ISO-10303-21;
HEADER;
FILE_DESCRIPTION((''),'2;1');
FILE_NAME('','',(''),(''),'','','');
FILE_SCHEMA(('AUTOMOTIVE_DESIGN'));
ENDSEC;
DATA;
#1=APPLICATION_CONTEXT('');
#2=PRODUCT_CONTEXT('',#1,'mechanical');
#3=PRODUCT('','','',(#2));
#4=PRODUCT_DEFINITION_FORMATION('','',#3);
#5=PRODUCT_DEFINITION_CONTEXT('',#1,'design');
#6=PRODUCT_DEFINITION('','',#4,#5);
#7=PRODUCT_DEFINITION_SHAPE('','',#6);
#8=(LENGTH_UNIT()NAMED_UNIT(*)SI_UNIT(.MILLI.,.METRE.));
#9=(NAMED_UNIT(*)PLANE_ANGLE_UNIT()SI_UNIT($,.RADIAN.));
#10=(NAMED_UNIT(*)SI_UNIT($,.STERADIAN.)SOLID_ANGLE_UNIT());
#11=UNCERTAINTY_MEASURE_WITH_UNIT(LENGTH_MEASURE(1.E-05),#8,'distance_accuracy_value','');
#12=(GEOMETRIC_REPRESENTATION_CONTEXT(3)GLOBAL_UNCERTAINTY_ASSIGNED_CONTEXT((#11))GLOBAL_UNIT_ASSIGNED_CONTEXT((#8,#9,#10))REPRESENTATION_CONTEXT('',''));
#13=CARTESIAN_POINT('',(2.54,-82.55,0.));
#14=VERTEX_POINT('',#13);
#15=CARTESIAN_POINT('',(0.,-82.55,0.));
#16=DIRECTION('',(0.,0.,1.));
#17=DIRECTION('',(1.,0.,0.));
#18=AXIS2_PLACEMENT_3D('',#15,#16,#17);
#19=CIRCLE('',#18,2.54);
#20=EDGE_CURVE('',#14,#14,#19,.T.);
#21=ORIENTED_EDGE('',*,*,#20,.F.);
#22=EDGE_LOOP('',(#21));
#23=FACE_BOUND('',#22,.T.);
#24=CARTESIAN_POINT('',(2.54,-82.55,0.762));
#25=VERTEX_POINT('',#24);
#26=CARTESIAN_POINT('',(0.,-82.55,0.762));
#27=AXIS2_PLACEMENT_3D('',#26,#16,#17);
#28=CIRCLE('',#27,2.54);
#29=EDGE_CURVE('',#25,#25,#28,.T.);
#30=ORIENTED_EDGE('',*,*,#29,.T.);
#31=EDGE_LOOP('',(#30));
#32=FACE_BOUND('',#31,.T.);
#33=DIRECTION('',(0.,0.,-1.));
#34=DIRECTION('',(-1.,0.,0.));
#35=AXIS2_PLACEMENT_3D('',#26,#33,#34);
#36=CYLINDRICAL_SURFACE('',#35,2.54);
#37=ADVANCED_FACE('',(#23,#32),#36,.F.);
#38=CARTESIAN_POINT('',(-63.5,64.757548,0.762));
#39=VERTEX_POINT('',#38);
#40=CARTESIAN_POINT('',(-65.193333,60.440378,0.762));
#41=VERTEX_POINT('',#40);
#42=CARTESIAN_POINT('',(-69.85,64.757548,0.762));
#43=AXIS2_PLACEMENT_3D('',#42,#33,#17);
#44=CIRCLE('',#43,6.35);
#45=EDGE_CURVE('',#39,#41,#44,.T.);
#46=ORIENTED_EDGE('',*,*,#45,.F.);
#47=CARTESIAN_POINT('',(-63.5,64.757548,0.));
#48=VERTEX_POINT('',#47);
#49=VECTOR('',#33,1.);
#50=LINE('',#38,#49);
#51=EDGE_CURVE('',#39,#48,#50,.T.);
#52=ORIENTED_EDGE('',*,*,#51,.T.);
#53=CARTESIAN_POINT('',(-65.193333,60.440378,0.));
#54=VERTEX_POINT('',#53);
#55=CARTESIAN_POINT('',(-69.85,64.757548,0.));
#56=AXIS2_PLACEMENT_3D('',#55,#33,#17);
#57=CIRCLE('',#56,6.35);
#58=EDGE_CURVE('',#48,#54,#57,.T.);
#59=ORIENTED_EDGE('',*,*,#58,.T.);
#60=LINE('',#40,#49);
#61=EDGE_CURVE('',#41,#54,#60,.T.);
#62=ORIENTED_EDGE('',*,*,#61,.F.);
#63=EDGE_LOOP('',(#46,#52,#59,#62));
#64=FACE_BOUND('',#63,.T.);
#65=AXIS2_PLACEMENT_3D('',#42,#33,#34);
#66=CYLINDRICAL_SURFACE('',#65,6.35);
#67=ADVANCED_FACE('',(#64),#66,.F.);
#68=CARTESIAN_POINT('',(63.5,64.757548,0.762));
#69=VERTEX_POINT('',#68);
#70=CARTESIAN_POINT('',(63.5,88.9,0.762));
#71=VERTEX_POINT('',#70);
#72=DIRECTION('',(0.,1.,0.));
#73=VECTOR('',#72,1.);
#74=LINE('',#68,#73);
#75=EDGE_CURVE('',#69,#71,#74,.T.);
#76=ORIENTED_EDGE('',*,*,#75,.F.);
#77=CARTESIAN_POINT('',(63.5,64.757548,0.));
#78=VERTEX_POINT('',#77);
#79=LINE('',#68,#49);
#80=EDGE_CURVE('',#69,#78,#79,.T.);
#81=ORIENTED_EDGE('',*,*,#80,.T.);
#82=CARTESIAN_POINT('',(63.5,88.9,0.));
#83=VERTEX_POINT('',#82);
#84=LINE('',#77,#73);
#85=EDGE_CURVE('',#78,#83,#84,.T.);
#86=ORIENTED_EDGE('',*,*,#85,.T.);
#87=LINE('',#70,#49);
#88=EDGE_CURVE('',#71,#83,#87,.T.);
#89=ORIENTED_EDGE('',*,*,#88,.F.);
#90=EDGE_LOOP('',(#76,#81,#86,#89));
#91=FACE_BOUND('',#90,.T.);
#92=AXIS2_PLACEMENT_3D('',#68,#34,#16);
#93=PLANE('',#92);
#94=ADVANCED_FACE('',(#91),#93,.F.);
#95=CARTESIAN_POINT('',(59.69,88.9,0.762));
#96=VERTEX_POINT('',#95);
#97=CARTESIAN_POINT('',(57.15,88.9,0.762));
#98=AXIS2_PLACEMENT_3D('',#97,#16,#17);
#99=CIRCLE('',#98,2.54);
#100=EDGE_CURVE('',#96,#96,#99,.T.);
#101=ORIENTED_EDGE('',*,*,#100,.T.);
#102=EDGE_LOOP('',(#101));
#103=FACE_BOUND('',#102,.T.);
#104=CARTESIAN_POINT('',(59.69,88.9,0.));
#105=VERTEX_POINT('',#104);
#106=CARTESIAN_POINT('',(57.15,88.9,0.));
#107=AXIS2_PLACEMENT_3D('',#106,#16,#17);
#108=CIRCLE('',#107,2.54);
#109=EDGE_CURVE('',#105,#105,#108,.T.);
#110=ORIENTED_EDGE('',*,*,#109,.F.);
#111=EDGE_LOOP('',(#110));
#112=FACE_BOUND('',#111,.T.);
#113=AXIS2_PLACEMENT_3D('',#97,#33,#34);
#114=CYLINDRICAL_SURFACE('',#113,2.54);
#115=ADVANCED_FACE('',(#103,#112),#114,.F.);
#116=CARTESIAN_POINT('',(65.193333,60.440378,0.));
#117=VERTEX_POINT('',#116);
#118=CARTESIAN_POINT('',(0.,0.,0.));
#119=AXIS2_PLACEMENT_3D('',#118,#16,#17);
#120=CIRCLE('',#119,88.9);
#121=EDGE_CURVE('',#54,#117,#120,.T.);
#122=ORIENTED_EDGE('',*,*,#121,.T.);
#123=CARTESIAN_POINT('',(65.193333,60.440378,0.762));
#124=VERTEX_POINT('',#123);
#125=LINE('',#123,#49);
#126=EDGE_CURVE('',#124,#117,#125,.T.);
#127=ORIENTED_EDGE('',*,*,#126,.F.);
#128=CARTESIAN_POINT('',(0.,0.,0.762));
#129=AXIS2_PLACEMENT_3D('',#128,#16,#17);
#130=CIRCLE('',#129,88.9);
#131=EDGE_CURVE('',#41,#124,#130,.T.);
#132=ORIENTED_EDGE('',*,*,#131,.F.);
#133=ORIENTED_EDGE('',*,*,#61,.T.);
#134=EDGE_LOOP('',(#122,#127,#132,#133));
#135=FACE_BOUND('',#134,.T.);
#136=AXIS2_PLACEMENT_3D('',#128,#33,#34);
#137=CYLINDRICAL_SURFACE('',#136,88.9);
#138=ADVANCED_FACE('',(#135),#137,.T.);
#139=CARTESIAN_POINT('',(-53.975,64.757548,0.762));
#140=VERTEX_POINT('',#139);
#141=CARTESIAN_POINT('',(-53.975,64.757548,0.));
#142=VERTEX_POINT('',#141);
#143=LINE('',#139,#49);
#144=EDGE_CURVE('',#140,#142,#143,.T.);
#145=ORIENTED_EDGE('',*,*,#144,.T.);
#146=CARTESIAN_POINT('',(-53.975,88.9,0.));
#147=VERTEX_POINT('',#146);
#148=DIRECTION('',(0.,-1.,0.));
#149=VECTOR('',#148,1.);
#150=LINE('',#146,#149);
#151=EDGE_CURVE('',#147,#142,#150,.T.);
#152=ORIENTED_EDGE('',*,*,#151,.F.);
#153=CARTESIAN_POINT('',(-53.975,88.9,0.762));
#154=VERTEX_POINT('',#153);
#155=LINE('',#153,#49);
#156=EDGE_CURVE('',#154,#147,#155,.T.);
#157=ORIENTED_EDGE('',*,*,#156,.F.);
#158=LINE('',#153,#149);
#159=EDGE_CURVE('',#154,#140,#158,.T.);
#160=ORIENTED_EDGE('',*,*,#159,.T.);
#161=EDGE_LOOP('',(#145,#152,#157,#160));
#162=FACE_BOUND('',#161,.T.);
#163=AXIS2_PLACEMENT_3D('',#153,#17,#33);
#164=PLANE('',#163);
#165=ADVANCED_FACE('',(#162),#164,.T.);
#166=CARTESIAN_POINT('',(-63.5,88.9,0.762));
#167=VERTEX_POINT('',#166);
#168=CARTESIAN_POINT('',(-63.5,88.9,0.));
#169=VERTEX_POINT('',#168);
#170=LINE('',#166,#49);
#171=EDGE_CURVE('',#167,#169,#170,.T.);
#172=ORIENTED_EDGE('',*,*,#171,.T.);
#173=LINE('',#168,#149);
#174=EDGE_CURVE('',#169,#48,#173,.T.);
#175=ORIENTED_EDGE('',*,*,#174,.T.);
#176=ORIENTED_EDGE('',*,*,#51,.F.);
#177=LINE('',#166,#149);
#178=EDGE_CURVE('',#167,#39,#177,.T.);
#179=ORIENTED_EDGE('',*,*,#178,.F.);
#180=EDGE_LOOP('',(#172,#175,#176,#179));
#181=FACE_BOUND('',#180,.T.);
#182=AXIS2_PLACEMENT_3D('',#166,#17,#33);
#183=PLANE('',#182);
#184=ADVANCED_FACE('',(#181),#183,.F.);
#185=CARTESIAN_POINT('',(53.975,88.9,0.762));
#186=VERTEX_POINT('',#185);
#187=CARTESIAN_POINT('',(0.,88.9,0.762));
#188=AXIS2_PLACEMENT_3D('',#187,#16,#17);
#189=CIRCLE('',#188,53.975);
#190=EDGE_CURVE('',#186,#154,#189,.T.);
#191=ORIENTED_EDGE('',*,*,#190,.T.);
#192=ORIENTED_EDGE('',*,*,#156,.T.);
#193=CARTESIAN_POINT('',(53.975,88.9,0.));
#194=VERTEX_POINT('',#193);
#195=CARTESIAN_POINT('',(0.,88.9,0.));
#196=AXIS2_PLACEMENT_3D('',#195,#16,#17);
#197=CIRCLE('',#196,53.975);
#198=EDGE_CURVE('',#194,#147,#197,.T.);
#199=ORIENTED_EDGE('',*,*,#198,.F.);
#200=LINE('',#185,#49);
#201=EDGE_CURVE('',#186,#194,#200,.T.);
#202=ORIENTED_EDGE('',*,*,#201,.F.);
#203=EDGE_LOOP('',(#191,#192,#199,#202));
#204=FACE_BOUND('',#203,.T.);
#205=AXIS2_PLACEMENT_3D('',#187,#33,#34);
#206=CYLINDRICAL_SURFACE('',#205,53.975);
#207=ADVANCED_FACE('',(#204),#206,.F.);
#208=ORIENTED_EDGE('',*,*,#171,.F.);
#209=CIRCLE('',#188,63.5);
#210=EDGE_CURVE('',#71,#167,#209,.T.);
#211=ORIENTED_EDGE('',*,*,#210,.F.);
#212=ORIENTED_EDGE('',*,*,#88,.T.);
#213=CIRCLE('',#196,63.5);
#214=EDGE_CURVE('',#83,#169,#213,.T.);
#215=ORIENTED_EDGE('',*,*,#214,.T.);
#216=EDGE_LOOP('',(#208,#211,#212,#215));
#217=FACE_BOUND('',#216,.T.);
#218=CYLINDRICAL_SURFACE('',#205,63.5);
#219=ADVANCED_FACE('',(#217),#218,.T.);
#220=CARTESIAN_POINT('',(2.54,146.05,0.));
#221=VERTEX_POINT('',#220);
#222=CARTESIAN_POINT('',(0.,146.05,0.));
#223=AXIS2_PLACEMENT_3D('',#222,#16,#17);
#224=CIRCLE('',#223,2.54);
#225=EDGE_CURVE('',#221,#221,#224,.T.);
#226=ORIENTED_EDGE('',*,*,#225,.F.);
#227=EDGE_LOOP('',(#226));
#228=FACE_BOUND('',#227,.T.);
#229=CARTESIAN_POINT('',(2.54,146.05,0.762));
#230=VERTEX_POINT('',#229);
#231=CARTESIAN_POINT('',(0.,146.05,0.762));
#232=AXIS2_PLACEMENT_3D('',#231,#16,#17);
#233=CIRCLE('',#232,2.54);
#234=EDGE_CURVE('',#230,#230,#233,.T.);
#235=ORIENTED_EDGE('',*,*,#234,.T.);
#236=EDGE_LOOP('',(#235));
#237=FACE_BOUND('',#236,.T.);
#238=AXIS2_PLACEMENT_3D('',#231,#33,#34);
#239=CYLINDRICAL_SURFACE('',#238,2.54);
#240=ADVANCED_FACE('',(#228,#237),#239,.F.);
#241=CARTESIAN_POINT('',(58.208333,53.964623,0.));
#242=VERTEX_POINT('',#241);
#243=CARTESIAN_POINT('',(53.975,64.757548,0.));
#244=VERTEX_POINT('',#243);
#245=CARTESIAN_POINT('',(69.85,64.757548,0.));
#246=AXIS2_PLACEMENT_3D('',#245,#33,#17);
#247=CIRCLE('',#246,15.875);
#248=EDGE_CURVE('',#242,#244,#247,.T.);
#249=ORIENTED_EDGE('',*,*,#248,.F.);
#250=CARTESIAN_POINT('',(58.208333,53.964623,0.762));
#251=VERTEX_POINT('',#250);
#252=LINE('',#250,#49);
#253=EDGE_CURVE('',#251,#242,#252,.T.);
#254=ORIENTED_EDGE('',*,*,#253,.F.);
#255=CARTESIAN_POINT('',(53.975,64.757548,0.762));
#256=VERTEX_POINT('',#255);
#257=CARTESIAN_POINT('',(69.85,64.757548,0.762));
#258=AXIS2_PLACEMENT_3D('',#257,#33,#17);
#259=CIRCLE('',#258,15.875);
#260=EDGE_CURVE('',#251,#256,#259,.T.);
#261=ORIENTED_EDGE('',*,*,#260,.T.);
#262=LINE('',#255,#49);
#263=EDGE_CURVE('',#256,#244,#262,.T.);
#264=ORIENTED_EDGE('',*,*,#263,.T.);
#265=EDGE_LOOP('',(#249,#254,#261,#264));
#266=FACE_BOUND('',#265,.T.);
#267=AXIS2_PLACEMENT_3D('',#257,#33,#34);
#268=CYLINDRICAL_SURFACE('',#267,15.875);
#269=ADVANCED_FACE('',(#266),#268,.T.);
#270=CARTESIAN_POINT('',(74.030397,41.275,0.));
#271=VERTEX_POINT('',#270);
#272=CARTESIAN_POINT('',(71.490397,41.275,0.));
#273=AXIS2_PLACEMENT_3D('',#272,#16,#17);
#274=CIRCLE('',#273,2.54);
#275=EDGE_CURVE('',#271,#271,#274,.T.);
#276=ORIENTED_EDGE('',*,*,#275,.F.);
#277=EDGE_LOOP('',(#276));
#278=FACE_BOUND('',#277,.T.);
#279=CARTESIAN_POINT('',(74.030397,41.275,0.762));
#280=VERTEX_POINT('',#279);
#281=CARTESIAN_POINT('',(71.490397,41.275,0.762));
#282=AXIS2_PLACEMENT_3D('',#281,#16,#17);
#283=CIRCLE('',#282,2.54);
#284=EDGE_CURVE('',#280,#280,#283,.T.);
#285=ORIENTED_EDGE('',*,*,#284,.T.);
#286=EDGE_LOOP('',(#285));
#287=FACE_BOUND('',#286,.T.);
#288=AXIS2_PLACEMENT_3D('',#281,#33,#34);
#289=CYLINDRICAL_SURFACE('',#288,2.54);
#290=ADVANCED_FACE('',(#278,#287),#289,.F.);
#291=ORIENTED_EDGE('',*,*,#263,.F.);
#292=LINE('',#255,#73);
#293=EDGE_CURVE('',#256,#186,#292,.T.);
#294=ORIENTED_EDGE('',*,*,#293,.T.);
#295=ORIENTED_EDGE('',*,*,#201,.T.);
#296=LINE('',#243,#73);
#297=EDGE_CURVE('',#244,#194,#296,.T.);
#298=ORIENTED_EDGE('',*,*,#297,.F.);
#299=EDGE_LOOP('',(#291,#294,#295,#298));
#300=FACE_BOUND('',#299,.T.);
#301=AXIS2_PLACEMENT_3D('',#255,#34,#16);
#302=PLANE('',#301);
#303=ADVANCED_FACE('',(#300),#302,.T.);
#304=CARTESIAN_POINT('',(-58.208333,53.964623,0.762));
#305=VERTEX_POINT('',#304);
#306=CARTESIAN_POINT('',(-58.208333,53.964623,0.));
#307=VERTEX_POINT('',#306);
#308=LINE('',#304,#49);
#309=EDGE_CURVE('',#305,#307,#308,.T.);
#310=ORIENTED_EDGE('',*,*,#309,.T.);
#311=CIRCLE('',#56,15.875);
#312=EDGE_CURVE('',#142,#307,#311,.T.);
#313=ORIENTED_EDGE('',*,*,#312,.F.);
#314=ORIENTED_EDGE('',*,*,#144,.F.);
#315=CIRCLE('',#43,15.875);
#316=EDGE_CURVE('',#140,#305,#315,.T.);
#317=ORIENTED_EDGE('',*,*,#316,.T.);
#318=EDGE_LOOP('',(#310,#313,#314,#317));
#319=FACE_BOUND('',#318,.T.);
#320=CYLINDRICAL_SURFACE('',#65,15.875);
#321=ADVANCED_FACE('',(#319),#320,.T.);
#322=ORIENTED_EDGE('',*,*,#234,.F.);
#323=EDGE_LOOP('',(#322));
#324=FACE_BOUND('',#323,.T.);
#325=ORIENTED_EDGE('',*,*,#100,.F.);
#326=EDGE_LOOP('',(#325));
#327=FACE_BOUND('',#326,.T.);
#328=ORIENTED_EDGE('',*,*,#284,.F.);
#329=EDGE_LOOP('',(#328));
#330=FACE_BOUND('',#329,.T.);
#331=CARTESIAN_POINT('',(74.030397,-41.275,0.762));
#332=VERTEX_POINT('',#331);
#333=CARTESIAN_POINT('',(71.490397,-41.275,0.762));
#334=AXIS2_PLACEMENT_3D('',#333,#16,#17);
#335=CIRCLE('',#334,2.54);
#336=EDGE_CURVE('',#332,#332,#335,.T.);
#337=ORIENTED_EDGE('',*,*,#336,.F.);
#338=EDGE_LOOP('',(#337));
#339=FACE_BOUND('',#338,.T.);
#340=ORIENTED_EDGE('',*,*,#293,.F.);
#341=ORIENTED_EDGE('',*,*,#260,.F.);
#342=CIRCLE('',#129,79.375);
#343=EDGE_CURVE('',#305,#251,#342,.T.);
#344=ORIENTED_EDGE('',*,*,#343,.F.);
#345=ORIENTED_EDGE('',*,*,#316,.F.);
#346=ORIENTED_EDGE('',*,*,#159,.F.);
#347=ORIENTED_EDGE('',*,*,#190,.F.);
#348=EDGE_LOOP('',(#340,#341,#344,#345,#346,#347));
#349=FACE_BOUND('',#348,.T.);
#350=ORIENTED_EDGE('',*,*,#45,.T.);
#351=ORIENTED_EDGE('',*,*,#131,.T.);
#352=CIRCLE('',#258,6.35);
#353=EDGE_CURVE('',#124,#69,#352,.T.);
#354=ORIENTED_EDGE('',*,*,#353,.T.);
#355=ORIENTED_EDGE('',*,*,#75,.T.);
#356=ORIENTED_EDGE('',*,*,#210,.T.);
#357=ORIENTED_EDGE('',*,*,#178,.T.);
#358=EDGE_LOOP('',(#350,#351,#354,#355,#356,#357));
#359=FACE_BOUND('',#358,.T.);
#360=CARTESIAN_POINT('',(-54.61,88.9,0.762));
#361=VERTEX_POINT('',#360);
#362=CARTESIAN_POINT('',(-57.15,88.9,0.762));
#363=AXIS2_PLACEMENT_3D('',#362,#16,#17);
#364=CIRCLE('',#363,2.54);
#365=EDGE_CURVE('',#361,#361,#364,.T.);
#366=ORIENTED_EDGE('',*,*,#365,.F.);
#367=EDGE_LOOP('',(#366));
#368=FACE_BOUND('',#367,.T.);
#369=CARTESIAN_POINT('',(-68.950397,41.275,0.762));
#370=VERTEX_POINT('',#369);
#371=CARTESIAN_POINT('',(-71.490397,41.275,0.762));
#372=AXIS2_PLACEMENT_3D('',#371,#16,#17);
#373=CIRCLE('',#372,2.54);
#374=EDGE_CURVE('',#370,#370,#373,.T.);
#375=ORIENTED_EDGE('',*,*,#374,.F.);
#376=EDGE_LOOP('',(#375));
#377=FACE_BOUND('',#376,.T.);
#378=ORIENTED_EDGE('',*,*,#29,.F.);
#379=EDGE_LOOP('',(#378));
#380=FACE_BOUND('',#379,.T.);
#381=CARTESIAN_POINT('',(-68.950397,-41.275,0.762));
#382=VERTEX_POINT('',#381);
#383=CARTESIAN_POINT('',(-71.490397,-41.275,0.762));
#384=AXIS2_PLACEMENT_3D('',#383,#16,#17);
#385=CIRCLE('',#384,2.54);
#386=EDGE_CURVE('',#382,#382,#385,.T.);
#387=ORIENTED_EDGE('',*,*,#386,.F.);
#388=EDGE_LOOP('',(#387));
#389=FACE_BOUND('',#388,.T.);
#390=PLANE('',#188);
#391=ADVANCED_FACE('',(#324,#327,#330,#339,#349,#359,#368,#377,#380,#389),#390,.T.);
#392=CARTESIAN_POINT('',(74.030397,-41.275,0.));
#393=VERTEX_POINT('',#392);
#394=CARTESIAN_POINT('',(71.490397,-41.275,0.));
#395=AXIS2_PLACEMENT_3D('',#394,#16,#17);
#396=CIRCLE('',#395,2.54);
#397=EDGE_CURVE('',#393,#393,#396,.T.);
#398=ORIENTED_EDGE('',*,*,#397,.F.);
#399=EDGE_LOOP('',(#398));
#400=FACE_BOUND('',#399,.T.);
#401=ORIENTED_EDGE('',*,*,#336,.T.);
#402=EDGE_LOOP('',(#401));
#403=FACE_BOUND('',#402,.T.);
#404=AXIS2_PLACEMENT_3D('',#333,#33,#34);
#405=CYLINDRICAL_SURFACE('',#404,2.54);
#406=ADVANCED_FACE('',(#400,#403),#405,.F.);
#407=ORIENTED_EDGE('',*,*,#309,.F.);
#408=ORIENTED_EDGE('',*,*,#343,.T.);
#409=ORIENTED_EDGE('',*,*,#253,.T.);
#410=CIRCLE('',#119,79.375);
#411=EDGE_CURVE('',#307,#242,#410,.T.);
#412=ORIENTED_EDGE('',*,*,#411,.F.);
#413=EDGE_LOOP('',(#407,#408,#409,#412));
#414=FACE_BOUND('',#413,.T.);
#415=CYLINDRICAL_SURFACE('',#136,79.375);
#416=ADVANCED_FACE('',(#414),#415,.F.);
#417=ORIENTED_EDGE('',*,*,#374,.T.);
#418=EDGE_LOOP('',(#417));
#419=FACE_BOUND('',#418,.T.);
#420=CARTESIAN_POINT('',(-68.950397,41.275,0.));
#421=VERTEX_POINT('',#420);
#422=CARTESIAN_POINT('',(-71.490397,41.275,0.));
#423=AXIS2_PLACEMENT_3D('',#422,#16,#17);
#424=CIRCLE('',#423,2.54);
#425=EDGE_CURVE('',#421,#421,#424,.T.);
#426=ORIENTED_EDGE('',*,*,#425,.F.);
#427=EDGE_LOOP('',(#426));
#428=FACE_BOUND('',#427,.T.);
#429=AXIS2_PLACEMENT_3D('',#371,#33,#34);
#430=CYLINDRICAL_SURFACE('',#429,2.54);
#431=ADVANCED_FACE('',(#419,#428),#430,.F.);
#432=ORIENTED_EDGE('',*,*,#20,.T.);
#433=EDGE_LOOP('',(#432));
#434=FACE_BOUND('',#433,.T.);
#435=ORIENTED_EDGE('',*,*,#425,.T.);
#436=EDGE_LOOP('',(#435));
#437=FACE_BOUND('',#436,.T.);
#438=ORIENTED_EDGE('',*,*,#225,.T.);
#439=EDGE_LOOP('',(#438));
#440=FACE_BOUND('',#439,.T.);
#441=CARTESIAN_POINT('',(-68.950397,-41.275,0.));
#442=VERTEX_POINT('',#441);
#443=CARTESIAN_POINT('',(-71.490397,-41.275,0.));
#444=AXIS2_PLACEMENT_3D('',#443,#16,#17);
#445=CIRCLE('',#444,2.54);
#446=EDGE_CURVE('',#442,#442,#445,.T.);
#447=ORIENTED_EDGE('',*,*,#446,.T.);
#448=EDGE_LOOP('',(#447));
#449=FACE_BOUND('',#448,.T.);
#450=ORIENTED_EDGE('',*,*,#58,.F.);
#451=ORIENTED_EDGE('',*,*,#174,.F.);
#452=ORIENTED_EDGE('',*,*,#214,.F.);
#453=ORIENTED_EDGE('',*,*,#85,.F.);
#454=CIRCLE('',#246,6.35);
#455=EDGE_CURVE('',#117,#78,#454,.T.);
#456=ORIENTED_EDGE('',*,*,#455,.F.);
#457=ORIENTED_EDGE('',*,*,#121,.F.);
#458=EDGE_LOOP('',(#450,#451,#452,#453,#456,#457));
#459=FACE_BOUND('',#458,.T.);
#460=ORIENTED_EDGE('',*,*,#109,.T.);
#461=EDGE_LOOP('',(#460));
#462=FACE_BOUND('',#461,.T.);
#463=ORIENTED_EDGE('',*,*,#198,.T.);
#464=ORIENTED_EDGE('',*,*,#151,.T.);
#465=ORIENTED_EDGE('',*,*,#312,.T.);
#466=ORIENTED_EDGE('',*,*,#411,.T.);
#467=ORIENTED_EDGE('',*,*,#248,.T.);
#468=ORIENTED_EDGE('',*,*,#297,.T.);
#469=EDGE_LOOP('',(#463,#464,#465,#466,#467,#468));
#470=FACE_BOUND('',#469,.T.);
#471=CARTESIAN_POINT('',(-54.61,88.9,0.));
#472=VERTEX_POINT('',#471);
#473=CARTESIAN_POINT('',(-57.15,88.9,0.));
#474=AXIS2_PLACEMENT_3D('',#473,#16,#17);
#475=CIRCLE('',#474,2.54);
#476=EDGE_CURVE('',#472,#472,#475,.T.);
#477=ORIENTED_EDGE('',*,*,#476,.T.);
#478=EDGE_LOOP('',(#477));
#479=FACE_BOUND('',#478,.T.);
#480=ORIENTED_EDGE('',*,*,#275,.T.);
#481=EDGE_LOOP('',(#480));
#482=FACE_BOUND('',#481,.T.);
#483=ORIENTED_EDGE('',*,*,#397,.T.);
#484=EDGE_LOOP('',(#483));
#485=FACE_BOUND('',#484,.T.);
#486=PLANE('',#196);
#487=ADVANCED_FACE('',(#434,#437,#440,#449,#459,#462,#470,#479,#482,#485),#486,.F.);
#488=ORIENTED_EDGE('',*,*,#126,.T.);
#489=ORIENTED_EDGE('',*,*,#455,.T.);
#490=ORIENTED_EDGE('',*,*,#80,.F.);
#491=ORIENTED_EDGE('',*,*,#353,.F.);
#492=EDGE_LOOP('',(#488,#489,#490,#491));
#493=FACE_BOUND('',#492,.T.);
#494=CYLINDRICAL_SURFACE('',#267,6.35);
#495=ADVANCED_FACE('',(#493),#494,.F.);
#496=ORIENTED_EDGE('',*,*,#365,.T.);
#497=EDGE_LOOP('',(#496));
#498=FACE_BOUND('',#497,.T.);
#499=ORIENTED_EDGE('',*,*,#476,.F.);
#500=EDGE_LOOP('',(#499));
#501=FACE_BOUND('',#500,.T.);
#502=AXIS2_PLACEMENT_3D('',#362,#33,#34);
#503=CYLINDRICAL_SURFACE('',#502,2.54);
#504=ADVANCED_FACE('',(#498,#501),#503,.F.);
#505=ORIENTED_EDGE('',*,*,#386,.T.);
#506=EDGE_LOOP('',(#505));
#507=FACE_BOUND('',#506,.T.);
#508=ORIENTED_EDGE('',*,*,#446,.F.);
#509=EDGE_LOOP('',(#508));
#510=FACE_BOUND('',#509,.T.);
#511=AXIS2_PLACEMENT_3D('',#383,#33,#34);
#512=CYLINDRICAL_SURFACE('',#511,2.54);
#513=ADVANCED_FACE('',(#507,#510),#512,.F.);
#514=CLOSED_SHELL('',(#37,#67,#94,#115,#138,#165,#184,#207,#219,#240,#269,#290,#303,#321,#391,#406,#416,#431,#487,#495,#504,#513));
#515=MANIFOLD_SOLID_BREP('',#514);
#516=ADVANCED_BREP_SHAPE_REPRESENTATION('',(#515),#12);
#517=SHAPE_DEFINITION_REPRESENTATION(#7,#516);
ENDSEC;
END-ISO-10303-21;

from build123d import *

# Parameters (mm, degrees)
SKETCH1_R           = 2.54
BOSS_EXTRUDE2_DEPTH = 0.762


with BuildPart() as part:
    # Sketch1 → Boss-Extrude2 (new body)
    with BuildSketch(Plane.XY):
        with BuildLine():
            Line((-63.5, 88.9), (-63.5, 64.757547823))
            ThreePointArc((-63.5, 64.757547823), (-63.938471715, 62.438855663), (-65.193333333, 60.440377968))
            ThreePointArc((-65.193333333, 60.440377968), (0, -88.9), (65.193333333, 60.440377968))
            ThreePointArc((65.193333333, 60.440377968), (63.938471715, 62.438855663), (63.5, 64.757547823))
            Line((63.5, 64.757547823), (63.5, 88.9))
            ThreePointArc((63.5, 88.9), (0, 152.4), (-63.5, 88.9))
        make_face()
        with Locations((-71.490397082, -41.275)):
            Circle(SKETCH1_R, mode=Mode.SUBTRACT)
        with Locations((-71.490397082, 41.275)):
            Circle(SKETCH1_R, mode=Mode.SUBTRACT)
        with Locations((-57.15, 88.9)):
            Circle(SKETCH1_R, mode=Mode.SUBTRACT)
        with Locations((0, 146.05)):
            Circle(SKETCH1_R, mode=Mode.SUBTRACT)
        with Locations((57.15, 88.9)):
            Circle(SKETCH1_R, mode=Mode.SUBTRACT)
        with Locations((71.490397082, 41.275)):
            Circle(SKETCH1_R, mode=Mode.SUBTRACT)
        with Locations((71.490397082, -41.275)):
            Circle(SKETCH1_R, mode=Mode.SUBTRACT)
        with Locations((0, -82.55)):
            Circle(SKETCH1_R, mode=Mode.SUBTRACT)
        with BuildLine():
            Line((-53.975, 88.9), (-53.975, 64.757547823))
            ThreePointArc((-53.975, 64.757547823), (-55.071179287, 58.960817422), (-58.208333333, 53.964623186))
            ThreePointArc((-58.208333333, 53.964623186), (0, -79.375), (58.208333333, 53.964623186))
            ThreePointArc((58.208333333, 53.964623186), (55.071179287, 58.960817422), (53.975, 64.757547823))
            Line((53.975, 64.757547823), (53.975, 88.9))
            ThreePointArc((53.975, 88.9), (0, 142.875), (-53.975, 88.9))
        make_face(mode=Mode.SUBTRACT)
    extrude(amount=BOSS_EXTRUDE2_DEPTH)


solid = part.part
